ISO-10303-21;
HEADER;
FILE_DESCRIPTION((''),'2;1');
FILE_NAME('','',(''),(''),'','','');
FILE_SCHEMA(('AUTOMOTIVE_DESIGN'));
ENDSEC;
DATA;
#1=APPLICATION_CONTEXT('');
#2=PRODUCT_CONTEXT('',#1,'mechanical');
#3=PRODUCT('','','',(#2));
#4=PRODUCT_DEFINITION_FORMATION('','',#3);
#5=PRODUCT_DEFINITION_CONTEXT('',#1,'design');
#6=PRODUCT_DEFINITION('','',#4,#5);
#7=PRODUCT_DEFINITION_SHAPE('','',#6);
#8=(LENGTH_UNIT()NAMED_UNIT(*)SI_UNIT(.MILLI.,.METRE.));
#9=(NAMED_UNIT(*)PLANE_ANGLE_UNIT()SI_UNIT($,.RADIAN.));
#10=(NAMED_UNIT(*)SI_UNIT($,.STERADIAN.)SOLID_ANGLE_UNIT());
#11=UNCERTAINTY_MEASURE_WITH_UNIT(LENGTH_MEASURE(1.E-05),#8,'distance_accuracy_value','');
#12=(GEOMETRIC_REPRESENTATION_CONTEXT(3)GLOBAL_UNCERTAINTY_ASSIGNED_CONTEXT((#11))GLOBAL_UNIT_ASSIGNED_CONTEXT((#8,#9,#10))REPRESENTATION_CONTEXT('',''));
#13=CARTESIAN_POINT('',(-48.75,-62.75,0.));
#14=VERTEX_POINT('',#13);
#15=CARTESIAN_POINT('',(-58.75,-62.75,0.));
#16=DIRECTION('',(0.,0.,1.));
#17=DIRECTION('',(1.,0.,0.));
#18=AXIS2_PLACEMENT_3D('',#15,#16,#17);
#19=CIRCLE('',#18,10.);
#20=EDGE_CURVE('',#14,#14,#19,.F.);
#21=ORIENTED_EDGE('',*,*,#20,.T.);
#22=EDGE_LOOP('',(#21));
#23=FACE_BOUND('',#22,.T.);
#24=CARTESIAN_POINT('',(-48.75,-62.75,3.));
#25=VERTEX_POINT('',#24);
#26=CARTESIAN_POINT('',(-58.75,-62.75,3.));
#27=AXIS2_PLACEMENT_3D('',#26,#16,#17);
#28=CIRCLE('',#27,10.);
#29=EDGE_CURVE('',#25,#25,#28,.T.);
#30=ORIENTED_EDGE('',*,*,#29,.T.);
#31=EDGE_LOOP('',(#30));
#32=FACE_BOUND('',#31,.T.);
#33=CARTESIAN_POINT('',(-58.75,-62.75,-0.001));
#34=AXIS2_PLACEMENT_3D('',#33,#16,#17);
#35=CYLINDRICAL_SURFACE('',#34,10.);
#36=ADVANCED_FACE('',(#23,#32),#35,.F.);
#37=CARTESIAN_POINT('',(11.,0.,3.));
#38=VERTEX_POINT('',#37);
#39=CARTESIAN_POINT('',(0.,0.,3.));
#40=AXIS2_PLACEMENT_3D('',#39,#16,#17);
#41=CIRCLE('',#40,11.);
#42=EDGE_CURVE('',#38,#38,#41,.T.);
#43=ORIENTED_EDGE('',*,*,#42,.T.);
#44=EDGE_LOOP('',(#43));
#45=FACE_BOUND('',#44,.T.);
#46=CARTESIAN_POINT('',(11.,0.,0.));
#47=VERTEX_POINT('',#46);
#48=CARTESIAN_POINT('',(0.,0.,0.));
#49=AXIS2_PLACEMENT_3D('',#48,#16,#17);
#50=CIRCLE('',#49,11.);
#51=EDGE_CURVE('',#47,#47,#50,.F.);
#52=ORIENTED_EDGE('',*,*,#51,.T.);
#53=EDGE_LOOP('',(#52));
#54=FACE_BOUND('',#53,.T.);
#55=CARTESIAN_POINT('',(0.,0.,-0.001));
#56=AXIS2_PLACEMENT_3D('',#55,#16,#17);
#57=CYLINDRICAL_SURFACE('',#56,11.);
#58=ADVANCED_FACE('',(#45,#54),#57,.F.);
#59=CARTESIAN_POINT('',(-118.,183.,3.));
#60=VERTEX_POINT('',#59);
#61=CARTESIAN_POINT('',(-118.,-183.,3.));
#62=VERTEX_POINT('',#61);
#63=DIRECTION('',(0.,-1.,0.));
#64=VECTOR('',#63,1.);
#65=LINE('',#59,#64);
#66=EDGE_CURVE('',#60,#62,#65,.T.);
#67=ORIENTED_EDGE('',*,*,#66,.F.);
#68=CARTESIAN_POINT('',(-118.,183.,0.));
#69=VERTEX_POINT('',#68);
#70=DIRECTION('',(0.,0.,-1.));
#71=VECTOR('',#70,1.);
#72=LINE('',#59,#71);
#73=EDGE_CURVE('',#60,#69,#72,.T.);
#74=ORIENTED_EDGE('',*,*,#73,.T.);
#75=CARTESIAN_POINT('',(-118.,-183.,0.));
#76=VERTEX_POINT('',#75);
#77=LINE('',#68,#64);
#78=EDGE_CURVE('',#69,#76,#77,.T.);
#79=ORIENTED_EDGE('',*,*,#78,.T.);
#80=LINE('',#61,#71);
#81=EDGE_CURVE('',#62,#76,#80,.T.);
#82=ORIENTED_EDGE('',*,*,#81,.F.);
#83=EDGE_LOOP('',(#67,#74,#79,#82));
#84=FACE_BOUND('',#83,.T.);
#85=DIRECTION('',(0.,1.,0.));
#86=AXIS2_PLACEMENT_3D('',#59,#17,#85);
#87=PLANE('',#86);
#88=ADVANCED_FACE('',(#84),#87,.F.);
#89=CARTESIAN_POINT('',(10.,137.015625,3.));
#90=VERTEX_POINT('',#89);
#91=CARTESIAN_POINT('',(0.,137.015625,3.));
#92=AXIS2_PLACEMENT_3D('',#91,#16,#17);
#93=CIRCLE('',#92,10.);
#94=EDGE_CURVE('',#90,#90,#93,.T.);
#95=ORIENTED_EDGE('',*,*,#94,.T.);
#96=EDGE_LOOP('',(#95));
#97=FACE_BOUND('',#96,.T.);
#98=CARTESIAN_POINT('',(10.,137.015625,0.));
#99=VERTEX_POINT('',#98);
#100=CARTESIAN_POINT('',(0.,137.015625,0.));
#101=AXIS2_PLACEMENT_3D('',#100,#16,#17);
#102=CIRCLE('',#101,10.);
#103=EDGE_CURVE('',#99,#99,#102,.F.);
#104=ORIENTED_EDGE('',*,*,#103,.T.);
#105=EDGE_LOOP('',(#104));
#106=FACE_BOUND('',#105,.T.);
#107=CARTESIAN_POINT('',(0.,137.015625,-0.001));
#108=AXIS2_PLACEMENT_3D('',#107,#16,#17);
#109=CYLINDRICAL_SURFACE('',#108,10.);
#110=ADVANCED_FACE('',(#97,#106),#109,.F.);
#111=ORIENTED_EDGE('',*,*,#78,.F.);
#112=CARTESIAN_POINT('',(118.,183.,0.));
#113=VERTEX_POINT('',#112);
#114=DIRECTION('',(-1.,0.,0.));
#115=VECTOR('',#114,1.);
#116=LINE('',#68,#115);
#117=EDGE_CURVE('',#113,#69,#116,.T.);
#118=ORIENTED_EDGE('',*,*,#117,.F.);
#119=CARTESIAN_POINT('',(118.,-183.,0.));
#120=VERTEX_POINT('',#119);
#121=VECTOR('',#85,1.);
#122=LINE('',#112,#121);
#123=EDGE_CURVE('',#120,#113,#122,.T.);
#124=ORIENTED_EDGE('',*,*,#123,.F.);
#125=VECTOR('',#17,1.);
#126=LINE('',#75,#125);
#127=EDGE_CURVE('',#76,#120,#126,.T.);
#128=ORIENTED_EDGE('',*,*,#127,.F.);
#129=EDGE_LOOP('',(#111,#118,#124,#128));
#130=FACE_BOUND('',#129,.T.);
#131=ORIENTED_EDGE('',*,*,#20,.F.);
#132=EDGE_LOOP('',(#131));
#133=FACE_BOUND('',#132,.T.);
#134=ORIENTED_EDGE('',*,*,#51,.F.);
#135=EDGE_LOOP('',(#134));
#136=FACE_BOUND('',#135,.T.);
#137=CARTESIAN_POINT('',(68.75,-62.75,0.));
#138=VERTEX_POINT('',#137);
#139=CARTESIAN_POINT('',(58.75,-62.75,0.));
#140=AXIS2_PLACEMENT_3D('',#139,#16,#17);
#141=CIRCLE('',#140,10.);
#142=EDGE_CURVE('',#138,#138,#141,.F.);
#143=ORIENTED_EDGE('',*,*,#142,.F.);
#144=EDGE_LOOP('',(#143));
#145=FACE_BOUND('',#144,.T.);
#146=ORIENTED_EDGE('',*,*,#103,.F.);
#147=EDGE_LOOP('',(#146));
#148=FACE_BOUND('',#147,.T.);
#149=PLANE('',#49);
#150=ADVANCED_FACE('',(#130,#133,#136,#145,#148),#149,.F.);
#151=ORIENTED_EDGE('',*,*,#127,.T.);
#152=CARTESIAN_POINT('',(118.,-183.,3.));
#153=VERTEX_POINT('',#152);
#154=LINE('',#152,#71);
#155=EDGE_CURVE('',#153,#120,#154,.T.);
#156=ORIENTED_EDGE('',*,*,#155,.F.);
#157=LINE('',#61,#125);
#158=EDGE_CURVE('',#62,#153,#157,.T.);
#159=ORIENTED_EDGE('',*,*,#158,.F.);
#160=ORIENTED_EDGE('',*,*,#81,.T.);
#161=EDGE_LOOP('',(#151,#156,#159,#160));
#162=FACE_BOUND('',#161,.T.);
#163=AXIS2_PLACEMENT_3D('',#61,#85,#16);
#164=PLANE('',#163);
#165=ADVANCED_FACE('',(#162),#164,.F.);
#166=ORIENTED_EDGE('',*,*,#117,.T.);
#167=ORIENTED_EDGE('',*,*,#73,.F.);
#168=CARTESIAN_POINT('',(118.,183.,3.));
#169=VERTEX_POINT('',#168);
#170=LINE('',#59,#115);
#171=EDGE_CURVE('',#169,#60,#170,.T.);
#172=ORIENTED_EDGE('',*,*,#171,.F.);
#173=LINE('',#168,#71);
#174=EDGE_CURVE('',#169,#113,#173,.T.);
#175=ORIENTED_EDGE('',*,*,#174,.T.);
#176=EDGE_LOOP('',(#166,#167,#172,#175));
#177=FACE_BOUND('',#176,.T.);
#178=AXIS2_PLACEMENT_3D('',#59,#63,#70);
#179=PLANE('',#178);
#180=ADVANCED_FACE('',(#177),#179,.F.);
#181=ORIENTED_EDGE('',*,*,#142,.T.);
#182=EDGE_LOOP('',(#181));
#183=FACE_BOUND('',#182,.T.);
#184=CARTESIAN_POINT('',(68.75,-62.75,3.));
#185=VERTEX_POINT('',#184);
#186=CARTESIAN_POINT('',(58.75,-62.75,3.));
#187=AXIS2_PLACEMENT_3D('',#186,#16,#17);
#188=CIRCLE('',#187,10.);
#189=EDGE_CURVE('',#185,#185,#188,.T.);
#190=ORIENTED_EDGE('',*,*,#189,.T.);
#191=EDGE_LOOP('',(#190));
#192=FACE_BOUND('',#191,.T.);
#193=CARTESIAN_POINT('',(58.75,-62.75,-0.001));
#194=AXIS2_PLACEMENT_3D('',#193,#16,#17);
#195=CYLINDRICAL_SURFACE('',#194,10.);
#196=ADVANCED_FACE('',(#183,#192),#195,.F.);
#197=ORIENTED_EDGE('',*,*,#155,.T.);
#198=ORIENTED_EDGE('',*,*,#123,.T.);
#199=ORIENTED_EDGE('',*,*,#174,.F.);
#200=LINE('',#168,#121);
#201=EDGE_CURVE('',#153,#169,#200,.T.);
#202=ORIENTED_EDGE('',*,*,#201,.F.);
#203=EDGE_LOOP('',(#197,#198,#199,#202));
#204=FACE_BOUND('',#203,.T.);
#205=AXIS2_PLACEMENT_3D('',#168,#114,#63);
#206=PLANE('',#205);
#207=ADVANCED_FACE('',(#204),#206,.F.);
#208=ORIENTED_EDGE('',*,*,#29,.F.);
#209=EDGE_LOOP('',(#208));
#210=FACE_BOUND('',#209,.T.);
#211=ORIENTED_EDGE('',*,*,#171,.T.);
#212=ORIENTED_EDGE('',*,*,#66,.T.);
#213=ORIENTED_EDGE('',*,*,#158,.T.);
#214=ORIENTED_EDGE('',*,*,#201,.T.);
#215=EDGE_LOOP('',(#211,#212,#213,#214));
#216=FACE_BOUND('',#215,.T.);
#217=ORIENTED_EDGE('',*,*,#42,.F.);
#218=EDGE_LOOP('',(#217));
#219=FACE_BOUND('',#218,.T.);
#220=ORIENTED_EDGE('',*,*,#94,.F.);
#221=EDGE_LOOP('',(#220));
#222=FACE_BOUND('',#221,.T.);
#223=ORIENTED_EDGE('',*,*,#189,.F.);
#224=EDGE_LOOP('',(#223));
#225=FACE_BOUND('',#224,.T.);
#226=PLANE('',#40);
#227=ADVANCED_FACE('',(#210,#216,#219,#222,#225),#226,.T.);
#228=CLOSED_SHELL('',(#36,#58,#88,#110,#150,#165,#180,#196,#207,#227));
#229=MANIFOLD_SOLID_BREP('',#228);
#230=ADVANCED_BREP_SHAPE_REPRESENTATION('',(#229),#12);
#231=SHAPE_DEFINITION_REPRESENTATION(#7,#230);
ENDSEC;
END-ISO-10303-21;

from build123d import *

# Parameters (mm, degrees)
SKETCH1_W           = 236
SKETCH1_H           = 366
BOSS_EXTRUDE1_DEPTH = 3
CUT_EXTRUDE2_REACH  = 5
SKETCH2_R           = 7.5
CUT_EXTRUDE3_REACH  = 5
SKETCH3_R           = 11
SKETCH3_R_2         = 10


with BuildPart() as part:
    # Sketch1 → Boss-Extrude1 (new body)
    with BuildSketch(Plane.XY):
        Rectangle(SKETCH1_W, SKETCH1_H)
    extrude(amount=BOSS_EXTRUDE1_DEPTH)

    # Sketch2 → Cut-Extrude2 (cut, up to next)
    with BuildSketch(Plane(origin=(0, 0, 0), x_dir=(-1, 0, 0), z_dir=(0, 0, -1)), mode=Mode.PRIVATE) as cut_extrude2_sk1:
        with Locations((0, 137.5)):
            Circle(SKETCH2_R)
    cut_extrude2_tool1 = extrude(cut_extrude2_sk1.sketch, amount=-CUT_EXTRUDE2_REACH, mode=Mode.PRIVATE) & part.part
    add(cut_extrude2_tool1.solids().sort_by_distance((0, 137.5, 0))[0], mode=Mode.SUBTRACT)

    # Sketch3 → Cut-Extrude3 (cut, up to next)
    with BuildSketch(Plane.XY.offset(3), mode=Mode.PRIVATE) as cut_extrude3_sk1:
        Circle(SKETCH3_R)
    cut_extrude3_tool1 = extrude(cut_extrude3_sk1.sketch, amount=-CUT_EXTRUDE3_REACH, mode=Mode.PRIVATE) & part.part
    add(cut_extrude3_tool1.solids().sort_by_distance((0, 0, 3))[0], mode=Mode.SUBTRACT)
    # Sketch3 → Cut-Extrude3 (cut, up to next)
    with BuildSketch(Plane.XY.offset(3), mode=Mode.PRIVATE) as cut_extrude3_sk2:
        with Locations((-58.75, -62.75)):
            Circle(SKETCH3_R_2)
    cut_extrude3_tool2 = extrude(cut_extrude3_sk2.sketch, amount=-CUT_EXTRUDE3_REACH, mode=Mode.PRIVATE) & part.part
    add(cut_extrude3_tool2.solids().sort_by_distance((-58.75, -62.75, 3))[0], mode=Mode.SUBTRACT)
    # Sketch3 → Cut-Extrude3 (cut, up to next)
    with BuildSketch(Plane.XY.offset(3), mode=Mode.PRIVATE) as cut_extrude3_sk3:
        with Locations((58.75, -62.75)):
            Circle(SKETCH3_R_2)
    cut_extrude3_tool3 = extrude(cut_extrude3_sk3.sketch, amount=-CUT_EXTRUDE3_REACH, mode=Mode.PRIVATE) & part.part
    add(cut_extrude3_tool3.solids().sort_by_distance((58.75, -62.75, 3))[0], mode=Mode.SUBTRACT)
    # Sketch3 → Cut-Extrude3 (cut, up to next)
    with BuildSketch(Plane.XY.offset(3), mode=Mode.PRIVATE) as cut_extrude3_sk4:
        with Locations((0, 137.015625)):
            Circle(SKETCH3_R_2)
    cut_extrude3_tool4 = extrude(cut_extrude3_sk4.sketch, amount=-CUT_EXTRUDE3_REACH, mode=Mode.PRIVATE) & part.part
    add(cut_extrude3_tool4.solids().sort_by_distance((0, 137.015625, 3))[0], mode=Mode.SUBTRACT)


solid = part.part
